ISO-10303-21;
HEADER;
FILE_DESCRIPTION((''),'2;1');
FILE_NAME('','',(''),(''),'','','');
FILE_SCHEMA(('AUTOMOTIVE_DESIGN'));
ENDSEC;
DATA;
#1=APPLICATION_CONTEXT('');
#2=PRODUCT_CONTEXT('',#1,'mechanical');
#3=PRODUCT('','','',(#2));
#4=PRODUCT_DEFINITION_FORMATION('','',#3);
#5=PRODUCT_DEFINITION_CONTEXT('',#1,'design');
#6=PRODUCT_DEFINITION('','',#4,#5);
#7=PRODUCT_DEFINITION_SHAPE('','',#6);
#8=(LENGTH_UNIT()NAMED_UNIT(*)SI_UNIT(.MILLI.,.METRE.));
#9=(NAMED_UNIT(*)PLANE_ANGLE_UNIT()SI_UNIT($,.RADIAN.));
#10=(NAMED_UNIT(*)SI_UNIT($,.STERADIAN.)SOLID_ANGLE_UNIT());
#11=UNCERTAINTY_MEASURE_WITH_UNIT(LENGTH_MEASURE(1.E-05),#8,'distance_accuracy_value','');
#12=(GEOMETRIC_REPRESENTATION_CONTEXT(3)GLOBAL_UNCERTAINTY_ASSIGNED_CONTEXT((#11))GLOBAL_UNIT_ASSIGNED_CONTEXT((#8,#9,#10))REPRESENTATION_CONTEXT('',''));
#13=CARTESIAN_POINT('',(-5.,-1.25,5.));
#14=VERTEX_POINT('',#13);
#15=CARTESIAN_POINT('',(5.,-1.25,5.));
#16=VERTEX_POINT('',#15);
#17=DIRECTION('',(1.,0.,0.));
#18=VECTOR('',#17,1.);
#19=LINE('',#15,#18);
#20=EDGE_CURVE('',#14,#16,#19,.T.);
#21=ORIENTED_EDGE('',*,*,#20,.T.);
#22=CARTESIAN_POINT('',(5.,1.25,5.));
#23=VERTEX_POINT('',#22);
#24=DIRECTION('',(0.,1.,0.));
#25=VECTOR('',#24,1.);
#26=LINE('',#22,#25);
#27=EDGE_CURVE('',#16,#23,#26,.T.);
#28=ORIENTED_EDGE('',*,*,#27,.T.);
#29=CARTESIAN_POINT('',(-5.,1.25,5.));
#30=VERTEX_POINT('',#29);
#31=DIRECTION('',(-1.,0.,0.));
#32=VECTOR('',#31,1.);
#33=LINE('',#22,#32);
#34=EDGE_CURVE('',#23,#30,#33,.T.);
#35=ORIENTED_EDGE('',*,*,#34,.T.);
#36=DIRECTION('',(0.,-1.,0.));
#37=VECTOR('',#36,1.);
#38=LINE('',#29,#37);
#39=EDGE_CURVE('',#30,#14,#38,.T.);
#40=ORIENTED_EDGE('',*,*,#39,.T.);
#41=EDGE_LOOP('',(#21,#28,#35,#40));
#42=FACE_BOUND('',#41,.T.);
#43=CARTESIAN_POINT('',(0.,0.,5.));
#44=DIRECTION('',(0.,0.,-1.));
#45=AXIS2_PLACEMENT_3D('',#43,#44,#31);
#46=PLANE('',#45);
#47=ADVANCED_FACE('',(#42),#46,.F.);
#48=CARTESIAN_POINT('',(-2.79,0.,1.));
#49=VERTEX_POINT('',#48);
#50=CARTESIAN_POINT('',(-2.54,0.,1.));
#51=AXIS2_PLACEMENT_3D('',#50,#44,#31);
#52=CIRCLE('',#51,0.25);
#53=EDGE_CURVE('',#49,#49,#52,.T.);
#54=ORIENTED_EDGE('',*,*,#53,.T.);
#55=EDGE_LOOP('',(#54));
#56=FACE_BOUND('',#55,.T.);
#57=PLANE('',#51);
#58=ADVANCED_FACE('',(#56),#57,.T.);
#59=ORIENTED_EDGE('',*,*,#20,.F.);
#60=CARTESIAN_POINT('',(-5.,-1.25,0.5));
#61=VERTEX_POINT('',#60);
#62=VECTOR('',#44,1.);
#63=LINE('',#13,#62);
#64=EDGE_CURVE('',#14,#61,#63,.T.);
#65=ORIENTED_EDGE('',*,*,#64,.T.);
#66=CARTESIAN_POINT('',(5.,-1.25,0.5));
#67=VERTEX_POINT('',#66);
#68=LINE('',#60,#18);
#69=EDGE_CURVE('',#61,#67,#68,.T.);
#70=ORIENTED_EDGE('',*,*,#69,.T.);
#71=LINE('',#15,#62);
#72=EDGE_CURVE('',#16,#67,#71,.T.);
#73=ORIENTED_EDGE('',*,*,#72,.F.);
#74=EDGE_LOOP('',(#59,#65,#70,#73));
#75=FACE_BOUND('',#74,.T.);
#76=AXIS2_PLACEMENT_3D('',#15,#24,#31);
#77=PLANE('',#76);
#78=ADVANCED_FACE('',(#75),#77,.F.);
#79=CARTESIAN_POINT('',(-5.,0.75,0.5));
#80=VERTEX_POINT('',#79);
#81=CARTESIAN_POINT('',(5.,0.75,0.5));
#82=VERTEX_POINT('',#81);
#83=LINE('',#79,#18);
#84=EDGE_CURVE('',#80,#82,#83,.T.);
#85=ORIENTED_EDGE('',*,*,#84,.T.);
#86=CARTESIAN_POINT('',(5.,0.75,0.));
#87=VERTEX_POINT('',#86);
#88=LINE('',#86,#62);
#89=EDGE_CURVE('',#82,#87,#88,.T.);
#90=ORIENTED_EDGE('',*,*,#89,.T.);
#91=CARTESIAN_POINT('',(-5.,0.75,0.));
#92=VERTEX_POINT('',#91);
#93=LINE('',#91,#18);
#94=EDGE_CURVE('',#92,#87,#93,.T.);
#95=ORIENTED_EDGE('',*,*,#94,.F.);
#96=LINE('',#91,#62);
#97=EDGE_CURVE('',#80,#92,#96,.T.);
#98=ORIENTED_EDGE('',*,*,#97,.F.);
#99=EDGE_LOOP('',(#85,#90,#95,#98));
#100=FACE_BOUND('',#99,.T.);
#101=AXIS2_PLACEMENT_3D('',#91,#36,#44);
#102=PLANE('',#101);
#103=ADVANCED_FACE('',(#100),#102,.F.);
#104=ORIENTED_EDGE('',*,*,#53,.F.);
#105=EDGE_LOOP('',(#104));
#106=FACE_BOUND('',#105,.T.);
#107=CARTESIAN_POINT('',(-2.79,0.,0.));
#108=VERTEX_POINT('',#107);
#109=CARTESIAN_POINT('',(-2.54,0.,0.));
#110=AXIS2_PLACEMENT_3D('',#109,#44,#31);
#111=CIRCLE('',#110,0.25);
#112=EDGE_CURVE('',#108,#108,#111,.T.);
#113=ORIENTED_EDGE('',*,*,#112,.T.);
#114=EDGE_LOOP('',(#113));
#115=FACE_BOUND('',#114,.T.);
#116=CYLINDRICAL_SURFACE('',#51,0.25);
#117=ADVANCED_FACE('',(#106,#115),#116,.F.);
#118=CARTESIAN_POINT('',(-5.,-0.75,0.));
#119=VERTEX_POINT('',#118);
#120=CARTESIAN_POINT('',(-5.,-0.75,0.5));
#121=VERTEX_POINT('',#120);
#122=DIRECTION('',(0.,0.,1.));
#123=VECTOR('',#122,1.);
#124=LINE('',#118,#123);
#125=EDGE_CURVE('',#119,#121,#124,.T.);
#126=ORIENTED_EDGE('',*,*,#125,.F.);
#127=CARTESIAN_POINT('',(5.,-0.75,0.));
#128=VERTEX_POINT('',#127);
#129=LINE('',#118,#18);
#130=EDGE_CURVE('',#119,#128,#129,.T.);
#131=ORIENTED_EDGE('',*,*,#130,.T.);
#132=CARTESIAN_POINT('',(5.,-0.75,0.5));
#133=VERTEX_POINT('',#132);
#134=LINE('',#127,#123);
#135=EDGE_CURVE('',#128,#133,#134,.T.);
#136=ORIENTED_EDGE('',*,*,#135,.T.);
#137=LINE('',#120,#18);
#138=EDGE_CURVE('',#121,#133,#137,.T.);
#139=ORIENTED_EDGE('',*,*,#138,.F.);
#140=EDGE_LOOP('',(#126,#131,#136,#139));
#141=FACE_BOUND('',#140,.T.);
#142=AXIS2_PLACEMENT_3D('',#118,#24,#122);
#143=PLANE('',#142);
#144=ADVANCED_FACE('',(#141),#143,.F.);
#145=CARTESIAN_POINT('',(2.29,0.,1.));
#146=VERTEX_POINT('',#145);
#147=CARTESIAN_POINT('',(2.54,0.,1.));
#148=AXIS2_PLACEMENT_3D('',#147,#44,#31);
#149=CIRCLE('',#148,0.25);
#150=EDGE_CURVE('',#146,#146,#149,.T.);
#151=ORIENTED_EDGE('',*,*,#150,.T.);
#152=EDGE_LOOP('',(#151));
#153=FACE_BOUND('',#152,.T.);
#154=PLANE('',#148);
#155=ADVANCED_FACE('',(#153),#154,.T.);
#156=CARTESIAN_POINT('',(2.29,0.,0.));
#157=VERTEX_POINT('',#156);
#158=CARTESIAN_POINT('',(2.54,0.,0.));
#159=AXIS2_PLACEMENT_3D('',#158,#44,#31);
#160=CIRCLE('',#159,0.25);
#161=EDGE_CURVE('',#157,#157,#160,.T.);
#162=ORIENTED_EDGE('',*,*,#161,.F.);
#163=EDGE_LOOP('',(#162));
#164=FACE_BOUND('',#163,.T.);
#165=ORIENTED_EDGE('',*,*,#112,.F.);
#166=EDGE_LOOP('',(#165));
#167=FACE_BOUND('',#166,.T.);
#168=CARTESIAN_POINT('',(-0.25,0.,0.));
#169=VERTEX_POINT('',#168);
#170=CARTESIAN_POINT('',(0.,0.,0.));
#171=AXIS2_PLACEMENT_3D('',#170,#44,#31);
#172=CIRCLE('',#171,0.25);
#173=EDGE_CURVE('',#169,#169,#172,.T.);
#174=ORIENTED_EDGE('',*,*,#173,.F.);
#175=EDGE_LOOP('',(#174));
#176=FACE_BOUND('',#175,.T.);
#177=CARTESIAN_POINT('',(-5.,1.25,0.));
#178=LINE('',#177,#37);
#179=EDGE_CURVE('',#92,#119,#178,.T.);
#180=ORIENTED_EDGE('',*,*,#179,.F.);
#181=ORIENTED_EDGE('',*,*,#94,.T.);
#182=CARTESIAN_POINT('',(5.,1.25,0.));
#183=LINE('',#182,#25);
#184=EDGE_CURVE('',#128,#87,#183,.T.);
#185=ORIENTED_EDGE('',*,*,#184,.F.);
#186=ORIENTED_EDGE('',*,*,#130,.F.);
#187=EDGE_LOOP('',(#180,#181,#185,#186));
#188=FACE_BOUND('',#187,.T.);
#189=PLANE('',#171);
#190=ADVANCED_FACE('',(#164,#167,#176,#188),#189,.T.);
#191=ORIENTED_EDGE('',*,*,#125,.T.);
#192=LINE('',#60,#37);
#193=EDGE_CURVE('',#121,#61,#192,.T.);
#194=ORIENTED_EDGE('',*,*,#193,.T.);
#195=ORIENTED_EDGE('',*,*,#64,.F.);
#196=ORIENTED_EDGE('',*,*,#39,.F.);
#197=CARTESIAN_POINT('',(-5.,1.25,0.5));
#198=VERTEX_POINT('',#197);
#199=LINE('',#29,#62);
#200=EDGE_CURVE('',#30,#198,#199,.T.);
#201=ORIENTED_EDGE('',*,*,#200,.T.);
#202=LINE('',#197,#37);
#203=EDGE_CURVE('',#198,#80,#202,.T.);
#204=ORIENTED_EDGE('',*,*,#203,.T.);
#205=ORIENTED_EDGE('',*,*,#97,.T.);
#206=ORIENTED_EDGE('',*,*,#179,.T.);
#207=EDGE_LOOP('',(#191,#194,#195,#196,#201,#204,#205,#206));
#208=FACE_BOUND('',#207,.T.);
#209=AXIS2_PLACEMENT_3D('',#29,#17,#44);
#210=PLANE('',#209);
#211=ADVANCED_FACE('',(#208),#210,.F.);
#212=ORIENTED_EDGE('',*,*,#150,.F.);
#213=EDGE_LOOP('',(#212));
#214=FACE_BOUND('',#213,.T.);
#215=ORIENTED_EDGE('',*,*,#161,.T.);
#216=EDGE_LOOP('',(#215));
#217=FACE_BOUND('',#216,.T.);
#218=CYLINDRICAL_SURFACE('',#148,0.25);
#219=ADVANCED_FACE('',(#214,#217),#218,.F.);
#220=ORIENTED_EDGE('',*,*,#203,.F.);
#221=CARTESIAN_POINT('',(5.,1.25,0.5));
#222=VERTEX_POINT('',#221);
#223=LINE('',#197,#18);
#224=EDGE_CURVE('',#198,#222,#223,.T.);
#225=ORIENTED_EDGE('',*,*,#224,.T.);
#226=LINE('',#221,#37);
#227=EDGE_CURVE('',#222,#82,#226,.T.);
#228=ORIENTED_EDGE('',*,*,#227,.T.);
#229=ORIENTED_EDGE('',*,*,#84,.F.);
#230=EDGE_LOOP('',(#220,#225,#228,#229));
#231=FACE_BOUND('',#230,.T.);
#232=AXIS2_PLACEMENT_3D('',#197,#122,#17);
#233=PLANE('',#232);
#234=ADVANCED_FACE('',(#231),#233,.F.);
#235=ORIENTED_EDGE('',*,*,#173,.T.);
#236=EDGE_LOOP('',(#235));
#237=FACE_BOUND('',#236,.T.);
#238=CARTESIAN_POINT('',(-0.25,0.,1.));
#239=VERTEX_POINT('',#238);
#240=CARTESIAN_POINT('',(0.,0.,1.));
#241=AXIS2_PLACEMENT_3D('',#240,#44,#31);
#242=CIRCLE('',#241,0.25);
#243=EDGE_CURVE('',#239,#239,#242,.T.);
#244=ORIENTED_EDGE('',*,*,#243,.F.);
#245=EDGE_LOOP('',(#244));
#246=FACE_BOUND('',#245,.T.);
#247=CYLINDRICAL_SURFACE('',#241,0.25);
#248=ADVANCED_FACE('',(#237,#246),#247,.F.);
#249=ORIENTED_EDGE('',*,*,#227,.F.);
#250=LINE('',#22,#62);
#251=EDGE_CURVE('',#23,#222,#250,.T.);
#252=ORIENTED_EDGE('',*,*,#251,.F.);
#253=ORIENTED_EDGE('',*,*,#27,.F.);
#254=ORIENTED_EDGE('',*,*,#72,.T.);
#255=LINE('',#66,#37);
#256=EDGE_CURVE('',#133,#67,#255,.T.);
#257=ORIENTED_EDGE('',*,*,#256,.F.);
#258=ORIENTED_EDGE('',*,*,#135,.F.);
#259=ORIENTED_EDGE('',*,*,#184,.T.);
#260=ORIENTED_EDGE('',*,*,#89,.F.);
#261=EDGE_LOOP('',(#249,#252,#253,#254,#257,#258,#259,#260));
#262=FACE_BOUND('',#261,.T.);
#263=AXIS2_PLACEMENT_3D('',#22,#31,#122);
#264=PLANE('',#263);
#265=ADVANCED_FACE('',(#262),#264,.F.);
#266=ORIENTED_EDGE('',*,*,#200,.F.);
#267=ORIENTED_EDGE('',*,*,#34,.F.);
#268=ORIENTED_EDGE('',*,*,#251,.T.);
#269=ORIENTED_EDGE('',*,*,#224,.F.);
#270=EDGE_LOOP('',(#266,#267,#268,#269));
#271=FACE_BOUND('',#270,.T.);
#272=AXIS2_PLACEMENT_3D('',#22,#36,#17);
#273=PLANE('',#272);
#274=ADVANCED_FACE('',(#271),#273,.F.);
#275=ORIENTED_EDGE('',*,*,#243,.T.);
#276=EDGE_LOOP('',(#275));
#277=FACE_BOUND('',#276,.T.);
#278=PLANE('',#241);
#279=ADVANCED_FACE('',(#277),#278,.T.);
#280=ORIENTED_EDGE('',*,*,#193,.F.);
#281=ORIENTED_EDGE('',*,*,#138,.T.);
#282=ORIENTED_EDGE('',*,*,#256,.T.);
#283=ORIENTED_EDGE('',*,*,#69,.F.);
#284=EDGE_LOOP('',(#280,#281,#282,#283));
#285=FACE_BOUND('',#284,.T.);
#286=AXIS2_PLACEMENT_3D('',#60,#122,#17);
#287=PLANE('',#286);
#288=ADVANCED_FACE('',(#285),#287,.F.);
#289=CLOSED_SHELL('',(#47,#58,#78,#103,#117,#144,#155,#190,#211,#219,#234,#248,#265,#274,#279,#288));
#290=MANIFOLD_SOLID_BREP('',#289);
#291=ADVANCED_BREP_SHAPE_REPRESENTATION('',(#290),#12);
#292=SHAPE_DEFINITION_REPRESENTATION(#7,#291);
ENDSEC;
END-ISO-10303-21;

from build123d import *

# Parameters (mm, degrees)
SKICA1_W                 = 10
SKICA1_H                 = 2.5
P_IDAT_VYSUNUT_M1_DEPTH  = 5
SKICA2_W                 = 0.5
SKICA2_H                 = 0.5
ODEBRAT_VYSUNUT_M1_DEPTH = 11
SKICA3_R                 = 0.25
ODEBRAT_VYSUNUT_M2_DEPTH = 1


with BuildPart() as part:
    # Skica1 → Přidat vysunutím1 (new body)
    with BuildSketch(Plane.XY):
        Rectangle(SKICA1_W, SKICA1_H)
    extrude(amount=P_IDAT_VYSUNUT_M1_DEPTH)

    # Skica2 → Odebrat vysunutím1 (cut, through all)
    with BuildSketch(Plane(origin=(5, 0, 0), x_dir=(0, 0, -1), z_dir=(1, 0, 0))):
        with Locations((-0.25, 1)):
            Rectangle(SKICA2_W, SKICA2_H)
        with Locations((-0.25, -1)):
            Rectangle(SKICA2_W, SKICA2_H)
    extrude(amount=-ODEBRAT_VYSUNUT_M1_DEPTH, mode=Mode.SUBTRACT)

    # Skica3 → Odebrat vysunutím2 (cut)
    with BuildSketch(Plane(origin=(0, 0, 0), x_dir=(-1, 0, 0), z_dir=(0, 0, -1))):
        Circle(SKICA3_R)
        with Locations((-2.54, 0)):
            Circle(SKICA3_R)
        with Locations((2.54, 0)):
            Circle(SKICA3_R)
    extrude(amount=-ODEBRAT_VYSUNUT_M2_DEPTH, mode=Mode.SUBTRACT)


solid = part.part
